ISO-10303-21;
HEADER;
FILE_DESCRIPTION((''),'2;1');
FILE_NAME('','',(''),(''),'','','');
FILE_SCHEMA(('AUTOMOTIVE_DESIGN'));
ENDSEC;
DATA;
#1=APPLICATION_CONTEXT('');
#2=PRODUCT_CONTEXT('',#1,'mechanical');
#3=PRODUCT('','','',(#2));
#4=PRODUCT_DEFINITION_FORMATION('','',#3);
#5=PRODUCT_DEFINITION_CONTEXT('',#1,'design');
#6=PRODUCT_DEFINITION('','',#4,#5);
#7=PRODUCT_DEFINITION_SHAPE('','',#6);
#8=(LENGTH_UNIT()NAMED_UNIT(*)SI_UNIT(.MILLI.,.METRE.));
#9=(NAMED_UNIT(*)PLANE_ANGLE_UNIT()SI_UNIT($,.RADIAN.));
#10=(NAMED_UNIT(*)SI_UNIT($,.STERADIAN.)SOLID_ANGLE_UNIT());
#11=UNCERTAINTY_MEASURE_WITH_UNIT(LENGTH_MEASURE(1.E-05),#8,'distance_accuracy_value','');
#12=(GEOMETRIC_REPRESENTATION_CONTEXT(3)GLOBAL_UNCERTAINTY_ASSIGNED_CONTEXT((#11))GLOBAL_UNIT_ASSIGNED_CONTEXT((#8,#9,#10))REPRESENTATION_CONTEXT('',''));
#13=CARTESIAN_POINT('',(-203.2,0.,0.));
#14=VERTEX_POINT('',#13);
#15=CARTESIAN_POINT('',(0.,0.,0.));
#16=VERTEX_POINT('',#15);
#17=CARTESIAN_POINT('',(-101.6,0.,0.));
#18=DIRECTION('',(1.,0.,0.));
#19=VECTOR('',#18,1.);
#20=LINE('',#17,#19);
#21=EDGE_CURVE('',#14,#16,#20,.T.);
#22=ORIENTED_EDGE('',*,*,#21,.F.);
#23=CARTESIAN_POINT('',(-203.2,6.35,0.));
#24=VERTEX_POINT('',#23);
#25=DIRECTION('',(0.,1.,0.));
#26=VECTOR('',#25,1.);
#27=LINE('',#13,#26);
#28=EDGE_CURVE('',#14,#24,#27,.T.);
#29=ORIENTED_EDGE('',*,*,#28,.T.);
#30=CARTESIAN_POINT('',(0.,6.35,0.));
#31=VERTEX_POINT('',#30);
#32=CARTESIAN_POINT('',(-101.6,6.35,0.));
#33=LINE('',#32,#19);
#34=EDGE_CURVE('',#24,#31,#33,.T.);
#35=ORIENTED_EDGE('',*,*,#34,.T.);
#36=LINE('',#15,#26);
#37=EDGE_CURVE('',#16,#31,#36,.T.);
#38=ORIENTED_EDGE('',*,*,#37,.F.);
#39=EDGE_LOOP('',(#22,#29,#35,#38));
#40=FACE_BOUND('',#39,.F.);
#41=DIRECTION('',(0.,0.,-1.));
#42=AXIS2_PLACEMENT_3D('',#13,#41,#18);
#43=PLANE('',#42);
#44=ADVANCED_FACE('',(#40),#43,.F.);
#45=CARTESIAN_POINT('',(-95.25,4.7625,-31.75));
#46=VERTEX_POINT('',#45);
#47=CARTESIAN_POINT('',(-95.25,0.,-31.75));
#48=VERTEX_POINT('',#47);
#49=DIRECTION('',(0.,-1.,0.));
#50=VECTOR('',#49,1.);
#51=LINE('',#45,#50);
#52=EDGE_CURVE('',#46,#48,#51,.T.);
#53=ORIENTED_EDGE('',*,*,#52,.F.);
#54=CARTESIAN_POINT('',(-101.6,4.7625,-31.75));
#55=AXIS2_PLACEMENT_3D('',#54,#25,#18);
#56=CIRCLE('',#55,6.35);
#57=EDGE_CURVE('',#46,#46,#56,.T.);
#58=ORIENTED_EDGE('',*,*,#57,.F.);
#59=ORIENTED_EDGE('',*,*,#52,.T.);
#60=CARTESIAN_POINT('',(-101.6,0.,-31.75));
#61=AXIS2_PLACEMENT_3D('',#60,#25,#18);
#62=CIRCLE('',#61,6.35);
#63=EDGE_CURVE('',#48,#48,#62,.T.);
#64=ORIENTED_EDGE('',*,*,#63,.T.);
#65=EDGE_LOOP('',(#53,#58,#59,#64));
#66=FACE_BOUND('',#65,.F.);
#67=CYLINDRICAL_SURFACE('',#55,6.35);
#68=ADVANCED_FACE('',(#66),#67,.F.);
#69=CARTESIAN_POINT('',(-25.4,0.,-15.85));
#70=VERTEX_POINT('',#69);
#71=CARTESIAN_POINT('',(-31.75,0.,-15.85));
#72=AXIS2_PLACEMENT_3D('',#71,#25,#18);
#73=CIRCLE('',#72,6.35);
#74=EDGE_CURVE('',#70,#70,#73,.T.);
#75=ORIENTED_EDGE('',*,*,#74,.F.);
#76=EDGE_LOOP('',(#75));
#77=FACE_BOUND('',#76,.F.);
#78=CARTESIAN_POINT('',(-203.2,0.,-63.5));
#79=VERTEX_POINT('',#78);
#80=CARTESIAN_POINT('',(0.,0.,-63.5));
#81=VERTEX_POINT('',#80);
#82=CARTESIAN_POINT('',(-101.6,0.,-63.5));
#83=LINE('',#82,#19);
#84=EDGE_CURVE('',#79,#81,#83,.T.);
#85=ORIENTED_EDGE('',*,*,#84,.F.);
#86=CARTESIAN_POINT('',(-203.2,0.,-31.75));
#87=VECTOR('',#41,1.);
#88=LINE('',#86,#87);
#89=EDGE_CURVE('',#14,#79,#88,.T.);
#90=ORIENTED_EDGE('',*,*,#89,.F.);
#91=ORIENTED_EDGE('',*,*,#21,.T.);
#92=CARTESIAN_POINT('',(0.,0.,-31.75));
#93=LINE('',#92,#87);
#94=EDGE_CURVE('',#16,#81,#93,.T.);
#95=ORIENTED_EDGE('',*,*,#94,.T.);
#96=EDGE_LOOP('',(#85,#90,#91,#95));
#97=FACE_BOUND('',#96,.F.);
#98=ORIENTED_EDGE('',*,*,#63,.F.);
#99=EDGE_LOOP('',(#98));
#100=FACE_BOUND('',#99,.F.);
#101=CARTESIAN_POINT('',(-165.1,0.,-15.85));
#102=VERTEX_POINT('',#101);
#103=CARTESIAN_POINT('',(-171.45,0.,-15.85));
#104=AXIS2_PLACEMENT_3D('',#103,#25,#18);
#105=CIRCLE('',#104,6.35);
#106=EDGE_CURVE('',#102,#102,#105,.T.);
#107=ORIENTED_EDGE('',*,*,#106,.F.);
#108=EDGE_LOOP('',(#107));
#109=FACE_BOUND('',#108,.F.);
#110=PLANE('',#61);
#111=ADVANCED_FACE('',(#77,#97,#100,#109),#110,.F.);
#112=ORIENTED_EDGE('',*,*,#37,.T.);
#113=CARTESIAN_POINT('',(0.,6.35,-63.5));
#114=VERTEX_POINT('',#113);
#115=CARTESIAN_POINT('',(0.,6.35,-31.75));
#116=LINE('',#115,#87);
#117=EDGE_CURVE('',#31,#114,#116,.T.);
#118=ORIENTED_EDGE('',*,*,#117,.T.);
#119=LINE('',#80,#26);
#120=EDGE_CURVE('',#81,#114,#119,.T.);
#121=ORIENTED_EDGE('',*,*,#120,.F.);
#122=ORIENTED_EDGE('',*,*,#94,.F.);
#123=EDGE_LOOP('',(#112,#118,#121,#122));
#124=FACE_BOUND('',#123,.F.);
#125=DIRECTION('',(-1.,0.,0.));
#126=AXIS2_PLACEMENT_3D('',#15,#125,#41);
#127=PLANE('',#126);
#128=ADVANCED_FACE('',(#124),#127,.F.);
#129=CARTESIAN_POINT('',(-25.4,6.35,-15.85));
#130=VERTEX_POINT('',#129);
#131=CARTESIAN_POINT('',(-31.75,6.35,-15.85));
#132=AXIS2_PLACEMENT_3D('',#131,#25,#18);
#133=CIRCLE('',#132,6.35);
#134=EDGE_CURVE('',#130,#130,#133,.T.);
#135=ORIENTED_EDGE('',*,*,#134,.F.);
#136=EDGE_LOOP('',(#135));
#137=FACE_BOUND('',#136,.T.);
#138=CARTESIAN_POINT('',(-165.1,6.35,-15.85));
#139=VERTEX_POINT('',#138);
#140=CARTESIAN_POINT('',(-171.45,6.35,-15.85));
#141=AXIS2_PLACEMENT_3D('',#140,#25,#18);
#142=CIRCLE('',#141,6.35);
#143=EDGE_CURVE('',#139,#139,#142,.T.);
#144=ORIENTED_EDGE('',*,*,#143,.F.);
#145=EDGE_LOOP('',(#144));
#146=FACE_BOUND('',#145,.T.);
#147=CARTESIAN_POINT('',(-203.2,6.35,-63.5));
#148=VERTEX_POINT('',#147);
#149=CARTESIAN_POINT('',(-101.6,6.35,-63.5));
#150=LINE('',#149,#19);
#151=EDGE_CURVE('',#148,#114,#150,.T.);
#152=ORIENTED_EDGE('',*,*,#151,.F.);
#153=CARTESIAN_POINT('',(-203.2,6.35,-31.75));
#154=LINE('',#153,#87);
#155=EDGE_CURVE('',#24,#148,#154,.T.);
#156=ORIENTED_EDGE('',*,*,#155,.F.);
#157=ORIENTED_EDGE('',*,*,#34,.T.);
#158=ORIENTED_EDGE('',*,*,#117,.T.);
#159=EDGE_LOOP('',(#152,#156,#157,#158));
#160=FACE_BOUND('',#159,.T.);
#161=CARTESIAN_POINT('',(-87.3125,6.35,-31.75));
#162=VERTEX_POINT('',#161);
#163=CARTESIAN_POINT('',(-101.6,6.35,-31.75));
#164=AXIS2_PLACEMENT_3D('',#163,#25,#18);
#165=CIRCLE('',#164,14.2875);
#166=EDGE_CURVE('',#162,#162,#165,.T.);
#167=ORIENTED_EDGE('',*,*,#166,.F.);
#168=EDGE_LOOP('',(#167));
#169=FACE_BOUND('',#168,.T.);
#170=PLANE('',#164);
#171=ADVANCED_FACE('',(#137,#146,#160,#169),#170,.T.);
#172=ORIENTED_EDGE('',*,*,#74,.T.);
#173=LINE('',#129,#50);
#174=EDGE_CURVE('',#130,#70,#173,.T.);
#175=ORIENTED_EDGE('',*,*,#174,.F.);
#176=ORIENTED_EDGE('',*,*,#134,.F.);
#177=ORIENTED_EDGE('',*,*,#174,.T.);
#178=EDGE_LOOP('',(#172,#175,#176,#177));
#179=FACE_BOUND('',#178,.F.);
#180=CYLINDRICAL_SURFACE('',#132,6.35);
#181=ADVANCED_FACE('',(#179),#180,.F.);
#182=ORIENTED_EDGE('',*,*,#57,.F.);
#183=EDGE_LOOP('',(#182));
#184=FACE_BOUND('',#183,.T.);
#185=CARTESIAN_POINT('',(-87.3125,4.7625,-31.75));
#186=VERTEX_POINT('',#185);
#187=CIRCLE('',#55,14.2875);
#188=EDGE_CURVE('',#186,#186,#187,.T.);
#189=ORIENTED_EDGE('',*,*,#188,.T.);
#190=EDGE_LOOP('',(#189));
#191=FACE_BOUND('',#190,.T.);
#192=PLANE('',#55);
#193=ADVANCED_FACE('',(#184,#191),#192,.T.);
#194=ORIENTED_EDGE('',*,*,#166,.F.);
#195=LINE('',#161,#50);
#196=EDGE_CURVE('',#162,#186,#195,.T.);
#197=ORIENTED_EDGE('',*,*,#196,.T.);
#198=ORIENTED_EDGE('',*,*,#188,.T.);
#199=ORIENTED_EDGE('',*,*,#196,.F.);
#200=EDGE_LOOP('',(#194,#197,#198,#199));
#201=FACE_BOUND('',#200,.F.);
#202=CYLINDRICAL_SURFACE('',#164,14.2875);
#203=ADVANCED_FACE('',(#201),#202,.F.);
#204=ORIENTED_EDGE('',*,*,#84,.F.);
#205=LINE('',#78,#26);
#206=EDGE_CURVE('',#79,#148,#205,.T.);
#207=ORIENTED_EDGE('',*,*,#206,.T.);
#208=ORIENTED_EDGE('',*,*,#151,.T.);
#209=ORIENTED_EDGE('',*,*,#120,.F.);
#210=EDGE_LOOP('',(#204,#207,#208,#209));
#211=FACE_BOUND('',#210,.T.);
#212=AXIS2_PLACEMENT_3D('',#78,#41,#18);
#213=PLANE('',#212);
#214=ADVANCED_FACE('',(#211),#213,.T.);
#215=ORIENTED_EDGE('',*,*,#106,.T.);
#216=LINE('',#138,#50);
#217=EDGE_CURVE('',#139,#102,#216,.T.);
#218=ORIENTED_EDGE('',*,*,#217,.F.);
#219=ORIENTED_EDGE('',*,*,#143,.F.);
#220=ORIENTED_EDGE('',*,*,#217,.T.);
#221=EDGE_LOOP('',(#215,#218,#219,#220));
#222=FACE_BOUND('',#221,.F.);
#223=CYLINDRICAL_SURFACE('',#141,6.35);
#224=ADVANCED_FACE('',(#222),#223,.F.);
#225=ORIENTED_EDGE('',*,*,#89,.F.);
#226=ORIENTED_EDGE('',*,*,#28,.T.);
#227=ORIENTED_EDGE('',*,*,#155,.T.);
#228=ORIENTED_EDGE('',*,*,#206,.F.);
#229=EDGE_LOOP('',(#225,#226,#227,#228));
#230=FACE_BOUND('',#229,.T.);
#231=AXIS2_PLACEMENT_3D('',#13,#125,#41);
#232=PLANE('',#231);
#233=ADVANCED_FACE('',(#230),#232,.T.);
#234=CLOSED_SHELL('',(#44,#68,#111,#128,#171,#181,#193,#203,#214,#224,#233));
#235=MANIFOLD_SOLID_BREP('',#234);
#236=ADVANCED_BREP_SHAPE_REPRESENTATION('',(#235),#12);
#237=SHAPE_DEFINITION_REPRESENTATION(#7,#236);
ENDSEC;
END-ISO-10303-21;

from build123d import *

# Parameters (mm, degrees)
SKETCH8_W           = 203.2
SKETCH8_H           = 63.5
BOSS_EXTRUDE1_DEPTH = 6.35
SKETCH9_R           = 14.2875
CUT_EXTRUDE2_DEPTH  = 1.5875
SKETCH10_R          = 6.35
CUT_EXTRUDE3_DEPTH  = 5.7625
SKETCH11_R          = 6.35
CUT_EXTRUDE4_DEPTH  = 7.35


with BuildPart() as part:
    # Sketch8 → Boss-Extrude1 (new body)
    with BuildSketch(Plane(origin=(0, 0, 0), x_dir=(1, 0, 0), z_dir=(0, 1, 0))):
        with Locations((-101.6, 31.75)):
            Rectangle(SKETCH8_W, SKETCH8_H)
    extrude(amount=BOSS_EXTRUDE1_DEPTH)

    # Sketch9 → Cut-Extrude2 (cut)
    with BuildSketch(Plane(origin=(0, 6.35, 0), x_dir=(1, 0, 0), z_dir=(0, 1, 0))):
        with Locations((-101.6, 31.75)):
            Circle(SKETCH9_R)
    extrude(amount=-CUT_EXTRUDE2_DEPTH, mode=Mode.SUBTRACT)

    # Sketch10 → Cut-Extrude3 (cut, through all)
    with BuildSketch(Plane(origin=(0, 4.7625, 0), x_dir=(1, 0, 0), z_dir=(0, 1, 0))):
        with Locations((-101.6, 31.75)):
            Circle(SKETCH10_R)
    extrude(amount=-CUT_EXTRUDE3_DEPTH, mode=Mode.SUBTRACT)

    # Sketch11 → Cut-Extrude4 (cut, through all)
    with BuildSketch(Plane(origin=(0, 6.35, 0), x_dir=(1, 0, 0), z_dir=(0, 1, 0))):
        with Locations((-171.45, 15.85)):
            Circle(SKETCH11_R)
        with Locations((-31.75, 15.85)):
            Circle(SKETCH11_R)
    extrude(amount=-CUT_EXTRUDE4_DEPTH, mode=Mode.SUBTRACT)


solid = part.part
